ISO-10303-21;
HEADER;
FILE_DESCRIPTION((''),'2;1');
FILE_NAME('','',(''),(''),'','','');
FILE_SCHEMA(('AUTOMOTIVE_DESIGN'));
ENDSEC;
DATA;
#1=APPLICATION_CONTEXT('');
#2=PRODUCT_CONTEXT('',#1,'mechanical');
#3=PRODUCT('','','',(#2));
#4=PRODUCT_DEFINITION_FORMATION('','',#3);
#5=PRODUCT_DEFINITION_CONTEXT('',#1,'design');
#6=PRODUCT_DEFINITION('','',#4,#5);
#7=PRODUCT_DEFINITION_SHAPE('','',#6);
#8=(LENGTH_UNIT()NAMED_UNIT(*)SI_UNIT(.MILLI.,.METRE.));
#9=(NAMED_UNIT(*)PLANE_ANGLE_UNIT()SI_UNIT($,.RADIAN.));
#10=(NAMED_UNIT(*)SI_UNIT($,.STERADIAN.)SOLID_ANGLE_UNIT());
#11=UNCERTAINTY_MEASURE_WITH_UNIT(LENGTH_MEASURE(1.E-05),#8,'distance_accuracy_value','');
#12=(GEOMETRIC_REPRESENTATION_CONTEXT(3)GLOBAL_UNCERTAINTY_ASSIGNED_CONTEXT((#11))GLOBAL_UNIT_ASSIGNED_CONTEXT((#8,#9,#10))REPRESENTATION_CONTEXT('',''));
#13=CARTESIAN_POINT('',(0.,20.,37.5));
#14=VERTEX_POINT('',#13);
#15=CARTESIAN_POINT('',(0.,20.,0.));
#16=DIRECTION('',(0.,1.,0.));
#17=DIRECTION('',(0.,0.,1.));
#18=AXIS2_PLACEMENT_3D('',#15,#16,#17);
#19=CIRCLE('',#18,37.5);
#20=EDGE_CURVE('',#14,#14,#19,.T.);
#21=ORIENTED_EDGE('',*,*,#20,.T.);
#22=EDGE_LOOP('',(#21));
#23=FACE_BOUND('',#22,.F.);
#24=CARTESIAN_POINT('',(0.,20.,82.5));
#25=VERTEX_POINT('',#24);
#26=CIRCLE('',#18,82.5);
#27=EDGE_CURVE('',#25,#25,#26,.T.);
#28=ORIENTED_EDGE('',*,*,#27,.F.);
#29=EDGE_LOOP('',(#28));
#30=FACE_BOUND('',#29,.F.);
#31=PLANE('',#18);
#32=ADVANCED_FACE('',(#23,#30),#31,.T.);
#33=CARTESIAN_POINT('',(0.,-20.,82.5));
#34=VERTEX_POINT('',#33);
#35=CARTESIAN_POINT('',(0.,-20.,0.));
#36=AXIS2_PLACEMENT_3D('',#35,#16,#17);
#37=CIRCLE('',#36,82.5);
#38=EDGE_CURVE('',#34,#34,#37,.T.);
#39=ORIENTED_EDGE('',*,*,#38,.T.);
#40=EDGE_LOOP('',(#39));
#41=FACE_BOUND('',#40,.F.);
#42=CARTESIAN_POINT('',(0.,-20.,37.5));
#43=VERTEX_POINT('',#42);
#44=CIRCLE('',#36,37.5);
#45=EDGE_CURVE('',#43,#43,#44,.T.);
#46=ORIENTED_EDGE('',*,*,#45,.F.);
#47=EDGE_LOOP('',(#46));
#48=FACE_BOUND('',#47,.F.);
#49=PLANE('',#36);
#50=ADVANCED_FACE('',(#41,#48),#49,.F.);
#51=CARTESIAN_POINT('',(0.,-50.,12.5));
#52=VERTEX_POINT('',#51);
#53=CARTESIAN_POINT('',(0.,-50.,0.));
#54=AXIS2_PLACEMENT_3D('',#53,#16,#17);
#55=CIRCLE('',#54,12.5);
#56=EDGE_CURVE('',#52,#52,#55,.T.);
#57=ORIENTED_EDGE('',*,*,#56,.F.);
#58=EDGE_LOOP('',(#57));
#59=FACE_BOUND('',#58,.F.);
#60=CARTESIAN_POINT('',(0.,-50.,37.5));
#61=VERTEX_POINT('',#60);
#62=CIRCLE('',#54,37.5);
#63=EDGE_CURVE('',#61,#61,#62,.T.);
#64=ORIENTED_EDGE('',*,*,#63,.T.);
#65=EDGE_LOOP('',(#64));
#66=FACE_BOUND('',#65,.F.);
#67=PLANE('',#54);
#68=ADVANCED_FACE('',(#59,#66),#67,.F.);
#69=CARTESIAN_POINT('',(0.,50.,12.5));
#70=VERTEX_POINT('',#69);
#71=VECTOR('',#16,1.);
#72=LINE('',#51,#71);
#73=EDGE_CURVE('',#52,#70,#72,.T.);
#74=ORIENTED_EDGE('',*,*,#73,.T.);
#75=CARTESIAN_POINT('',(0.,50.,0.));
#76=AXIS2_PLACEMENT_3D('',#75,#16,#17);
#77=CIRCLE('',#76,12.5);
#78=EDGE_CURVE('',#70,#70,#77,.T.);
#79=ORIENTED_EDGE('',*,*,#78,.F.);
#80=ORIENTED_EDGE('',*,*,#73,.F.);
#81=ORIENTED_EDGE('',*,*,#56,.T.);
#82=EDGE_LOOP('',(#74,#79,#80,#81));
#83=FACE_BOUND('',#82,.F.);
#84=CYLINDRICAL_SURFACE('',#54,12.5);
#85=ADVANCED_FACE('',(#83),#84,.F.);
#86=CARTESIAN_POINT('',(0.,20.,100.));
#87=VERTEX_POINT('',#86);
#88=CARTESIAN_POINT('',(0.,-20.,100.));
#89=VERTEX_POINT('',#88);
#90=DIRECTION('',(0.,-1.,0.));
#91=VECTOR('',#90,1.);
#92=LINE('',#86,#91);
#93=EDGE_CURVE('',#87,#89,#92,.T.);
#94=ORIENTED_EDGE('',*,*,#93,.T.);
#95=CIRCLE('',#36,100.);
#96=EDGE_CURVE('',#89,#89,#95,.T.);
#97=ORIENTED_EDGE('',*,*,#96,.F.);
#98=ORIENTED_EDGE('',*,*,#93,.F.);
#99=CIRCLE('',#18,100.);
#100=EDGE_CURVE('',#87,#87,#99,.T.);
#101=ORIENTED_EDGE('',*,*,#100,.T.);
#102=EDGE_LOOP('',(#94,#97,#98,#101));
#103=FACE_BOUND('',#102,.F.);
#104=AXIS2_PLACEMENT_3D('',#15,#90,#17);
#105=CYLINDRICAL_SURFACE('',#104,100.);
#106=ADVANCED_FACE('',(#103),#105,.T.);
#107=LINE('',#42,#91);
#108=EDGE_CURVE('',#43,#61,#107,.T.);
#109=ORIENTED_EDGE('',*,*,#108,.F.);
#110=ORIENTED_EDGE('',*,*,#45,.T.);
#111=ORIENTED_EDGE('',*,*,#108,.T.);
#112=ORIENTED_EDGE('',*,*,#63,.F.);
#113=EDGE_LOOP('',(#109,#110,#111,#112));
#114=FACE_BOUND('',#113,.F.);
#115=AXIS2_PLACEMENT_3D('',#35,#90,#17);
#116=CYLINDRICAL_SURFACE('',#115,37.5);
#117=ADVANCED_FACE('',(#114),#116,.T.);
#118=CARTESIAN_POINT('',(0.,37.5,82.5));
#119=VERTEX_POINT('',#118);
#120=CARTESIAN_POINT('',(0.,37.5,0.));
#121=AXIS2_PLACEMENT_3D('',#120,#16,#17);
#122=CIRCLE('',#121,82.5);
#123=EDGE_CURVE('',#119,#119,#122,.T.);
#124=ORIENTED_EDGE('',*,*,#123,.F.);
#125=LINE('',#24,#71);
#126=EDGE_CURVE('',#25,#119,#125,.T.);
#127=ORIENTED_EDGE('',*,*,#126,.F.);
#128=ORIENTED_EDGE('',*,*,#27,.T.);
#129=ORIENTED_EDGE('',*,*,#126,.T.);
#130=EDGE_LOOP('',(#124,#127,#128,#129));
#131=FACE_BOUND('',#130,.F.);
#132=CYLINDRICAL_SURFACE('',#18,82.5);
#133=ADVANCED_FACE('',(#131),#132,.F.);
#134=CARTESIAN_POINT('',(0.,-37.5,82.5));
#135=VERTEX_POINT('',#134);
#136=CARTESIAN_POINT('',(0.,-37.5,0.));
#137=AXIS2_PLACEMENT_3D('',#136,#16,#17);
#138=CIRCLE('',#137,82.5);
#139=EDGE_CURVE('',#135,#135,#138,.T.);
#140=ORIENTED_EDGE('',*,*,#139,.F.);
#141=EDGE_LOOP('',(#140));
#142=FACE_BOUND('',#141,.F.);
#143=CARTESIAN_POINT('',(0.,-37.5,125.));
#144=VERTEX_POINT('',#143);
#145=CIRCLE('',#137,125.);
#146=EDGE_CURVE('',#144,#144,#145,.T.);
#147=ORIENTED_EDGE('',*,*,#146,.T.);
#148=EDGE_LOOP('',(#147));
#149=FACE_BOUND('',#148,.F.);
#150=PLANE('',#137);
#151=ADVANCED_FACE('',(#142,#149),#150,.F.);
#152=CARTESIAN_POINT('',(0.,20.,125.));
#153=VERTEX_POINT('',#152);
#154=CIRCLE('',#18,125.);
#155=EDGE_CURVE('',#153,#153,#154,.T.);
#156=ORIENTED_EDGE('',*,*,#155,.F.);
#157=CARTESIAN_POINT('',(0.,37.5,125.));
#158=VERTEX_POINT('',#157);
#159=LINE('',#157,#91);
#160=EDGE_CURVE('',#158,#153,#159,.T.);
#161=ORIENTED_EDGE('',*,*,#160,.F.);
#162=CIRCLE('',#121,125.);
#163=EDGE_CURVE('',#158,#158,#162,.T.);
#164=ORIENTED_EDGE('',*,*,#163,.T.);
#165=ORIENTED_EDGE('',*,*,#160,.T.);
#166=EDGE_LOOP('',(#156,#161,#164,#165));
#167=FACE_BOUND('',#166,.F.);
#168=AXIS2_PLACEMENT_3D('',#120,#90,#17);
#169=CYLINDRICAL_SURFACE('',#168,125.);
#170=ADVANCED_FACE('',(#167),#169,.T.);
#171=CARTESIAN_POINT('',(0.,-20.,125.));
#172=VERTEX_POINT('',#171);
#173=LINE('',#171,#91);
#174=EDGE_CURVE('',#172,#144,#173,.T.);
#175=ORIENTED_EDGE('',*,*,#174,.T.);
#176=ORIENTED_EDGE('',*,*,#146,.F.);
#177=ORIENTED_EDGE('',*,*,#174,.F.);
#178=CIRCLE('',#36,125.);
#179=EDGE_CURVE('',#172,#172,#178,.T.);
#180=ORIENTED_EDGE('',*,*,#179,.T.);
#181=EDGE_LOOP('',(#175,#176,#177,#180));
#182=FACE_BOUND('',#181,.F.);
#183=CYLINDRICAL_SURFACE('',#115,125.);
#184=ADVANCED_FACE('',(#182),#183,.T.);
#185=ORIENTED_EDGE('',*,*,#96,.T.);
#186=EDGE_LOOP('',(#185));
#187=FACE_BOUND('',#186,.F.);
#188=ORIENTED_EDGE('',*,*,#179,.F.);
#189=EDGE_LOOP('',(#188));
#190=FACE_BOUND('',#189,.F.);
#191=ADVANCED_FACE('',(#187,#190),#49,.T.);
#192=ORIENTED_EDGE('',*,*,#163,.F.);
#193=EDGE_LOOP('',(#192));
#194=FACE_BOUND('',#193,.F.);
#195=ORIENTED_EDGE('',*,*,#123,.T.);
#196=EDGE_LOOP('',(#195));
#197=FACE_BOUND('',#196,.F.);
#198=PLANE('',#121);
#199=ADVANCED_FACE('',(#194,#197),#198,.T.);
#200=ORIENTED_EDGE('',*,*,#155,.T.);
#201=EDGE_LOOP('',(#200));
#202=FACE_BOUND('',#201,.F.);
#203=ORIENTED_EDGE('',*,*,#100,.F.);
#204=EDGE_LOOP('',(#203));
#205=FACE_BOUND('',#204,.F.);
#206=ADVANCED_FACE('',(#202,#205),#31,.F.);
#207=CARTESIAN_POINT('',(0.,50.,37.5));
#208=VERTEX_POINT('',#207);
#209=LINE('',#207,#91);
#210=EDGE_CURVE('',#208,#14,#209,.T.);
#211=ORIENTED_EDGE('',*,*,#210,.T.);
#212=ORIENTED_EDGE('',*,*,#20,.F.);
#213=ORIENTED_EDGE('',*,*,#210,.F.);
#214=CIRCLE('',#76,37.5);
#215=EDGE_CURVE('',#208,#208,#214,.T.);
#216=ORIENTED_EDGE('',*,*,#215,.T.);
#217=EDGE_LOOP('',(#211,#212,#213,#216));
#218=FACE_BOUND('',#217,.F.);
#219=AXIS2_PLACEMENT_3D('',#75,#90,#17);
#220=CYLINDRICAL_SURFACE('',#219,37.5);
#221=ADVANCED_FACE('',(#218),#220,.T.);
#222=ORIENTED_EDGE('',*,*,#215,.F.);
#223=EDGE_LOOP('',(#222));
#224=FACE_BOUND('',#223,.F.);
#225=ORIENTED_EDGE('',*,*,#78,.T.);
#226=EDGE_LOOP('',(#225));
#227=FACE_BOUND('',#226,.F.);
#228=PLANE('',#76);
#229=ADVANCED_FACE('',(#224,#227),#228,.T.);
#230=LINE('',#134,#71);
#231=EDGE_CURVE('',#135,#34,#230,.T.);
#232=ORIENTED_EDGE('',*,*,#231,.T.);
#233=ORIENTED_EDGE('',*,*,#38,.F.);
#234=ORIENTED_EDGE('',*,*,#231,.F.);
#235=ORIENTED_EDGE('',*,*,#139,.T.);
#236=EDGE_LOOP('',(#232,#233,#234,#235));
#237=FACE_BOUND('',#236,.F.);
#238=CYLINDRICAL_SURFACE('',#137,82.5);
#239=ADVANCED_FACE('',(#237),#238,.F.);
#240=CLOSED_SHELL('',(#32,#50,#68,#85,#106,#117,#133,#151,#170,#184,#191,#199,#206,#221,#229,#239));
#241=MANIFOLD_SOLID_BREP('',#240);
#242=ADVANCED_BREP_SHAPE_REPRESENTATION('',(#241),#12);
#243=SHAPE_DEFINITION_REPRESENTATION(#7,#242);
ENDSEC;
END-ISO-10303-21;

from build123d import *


with BuildPart() as f1:
    # F0 (on Right) → F1 (revolve)
    with BuildSketch(Plane.YZ):
        Polygon((20, 100), (0, 100), (-20, 100), (-20, 125), (-37.5, 125), (-37.5, 82.5), (-20, 82.5), (-20, 37.5), (-50, 37.5), (-50, 12.5), (0, 12.5), (50, 12.5), (50, 37.5), (20, 37.5), (20, 82.5), (37.5, 82.5), (37.5, 125), (20, 125), align=None)
    revolve(axis=Axis((0, 0, 0), (0, 1, 0)))


solid = f1.part
